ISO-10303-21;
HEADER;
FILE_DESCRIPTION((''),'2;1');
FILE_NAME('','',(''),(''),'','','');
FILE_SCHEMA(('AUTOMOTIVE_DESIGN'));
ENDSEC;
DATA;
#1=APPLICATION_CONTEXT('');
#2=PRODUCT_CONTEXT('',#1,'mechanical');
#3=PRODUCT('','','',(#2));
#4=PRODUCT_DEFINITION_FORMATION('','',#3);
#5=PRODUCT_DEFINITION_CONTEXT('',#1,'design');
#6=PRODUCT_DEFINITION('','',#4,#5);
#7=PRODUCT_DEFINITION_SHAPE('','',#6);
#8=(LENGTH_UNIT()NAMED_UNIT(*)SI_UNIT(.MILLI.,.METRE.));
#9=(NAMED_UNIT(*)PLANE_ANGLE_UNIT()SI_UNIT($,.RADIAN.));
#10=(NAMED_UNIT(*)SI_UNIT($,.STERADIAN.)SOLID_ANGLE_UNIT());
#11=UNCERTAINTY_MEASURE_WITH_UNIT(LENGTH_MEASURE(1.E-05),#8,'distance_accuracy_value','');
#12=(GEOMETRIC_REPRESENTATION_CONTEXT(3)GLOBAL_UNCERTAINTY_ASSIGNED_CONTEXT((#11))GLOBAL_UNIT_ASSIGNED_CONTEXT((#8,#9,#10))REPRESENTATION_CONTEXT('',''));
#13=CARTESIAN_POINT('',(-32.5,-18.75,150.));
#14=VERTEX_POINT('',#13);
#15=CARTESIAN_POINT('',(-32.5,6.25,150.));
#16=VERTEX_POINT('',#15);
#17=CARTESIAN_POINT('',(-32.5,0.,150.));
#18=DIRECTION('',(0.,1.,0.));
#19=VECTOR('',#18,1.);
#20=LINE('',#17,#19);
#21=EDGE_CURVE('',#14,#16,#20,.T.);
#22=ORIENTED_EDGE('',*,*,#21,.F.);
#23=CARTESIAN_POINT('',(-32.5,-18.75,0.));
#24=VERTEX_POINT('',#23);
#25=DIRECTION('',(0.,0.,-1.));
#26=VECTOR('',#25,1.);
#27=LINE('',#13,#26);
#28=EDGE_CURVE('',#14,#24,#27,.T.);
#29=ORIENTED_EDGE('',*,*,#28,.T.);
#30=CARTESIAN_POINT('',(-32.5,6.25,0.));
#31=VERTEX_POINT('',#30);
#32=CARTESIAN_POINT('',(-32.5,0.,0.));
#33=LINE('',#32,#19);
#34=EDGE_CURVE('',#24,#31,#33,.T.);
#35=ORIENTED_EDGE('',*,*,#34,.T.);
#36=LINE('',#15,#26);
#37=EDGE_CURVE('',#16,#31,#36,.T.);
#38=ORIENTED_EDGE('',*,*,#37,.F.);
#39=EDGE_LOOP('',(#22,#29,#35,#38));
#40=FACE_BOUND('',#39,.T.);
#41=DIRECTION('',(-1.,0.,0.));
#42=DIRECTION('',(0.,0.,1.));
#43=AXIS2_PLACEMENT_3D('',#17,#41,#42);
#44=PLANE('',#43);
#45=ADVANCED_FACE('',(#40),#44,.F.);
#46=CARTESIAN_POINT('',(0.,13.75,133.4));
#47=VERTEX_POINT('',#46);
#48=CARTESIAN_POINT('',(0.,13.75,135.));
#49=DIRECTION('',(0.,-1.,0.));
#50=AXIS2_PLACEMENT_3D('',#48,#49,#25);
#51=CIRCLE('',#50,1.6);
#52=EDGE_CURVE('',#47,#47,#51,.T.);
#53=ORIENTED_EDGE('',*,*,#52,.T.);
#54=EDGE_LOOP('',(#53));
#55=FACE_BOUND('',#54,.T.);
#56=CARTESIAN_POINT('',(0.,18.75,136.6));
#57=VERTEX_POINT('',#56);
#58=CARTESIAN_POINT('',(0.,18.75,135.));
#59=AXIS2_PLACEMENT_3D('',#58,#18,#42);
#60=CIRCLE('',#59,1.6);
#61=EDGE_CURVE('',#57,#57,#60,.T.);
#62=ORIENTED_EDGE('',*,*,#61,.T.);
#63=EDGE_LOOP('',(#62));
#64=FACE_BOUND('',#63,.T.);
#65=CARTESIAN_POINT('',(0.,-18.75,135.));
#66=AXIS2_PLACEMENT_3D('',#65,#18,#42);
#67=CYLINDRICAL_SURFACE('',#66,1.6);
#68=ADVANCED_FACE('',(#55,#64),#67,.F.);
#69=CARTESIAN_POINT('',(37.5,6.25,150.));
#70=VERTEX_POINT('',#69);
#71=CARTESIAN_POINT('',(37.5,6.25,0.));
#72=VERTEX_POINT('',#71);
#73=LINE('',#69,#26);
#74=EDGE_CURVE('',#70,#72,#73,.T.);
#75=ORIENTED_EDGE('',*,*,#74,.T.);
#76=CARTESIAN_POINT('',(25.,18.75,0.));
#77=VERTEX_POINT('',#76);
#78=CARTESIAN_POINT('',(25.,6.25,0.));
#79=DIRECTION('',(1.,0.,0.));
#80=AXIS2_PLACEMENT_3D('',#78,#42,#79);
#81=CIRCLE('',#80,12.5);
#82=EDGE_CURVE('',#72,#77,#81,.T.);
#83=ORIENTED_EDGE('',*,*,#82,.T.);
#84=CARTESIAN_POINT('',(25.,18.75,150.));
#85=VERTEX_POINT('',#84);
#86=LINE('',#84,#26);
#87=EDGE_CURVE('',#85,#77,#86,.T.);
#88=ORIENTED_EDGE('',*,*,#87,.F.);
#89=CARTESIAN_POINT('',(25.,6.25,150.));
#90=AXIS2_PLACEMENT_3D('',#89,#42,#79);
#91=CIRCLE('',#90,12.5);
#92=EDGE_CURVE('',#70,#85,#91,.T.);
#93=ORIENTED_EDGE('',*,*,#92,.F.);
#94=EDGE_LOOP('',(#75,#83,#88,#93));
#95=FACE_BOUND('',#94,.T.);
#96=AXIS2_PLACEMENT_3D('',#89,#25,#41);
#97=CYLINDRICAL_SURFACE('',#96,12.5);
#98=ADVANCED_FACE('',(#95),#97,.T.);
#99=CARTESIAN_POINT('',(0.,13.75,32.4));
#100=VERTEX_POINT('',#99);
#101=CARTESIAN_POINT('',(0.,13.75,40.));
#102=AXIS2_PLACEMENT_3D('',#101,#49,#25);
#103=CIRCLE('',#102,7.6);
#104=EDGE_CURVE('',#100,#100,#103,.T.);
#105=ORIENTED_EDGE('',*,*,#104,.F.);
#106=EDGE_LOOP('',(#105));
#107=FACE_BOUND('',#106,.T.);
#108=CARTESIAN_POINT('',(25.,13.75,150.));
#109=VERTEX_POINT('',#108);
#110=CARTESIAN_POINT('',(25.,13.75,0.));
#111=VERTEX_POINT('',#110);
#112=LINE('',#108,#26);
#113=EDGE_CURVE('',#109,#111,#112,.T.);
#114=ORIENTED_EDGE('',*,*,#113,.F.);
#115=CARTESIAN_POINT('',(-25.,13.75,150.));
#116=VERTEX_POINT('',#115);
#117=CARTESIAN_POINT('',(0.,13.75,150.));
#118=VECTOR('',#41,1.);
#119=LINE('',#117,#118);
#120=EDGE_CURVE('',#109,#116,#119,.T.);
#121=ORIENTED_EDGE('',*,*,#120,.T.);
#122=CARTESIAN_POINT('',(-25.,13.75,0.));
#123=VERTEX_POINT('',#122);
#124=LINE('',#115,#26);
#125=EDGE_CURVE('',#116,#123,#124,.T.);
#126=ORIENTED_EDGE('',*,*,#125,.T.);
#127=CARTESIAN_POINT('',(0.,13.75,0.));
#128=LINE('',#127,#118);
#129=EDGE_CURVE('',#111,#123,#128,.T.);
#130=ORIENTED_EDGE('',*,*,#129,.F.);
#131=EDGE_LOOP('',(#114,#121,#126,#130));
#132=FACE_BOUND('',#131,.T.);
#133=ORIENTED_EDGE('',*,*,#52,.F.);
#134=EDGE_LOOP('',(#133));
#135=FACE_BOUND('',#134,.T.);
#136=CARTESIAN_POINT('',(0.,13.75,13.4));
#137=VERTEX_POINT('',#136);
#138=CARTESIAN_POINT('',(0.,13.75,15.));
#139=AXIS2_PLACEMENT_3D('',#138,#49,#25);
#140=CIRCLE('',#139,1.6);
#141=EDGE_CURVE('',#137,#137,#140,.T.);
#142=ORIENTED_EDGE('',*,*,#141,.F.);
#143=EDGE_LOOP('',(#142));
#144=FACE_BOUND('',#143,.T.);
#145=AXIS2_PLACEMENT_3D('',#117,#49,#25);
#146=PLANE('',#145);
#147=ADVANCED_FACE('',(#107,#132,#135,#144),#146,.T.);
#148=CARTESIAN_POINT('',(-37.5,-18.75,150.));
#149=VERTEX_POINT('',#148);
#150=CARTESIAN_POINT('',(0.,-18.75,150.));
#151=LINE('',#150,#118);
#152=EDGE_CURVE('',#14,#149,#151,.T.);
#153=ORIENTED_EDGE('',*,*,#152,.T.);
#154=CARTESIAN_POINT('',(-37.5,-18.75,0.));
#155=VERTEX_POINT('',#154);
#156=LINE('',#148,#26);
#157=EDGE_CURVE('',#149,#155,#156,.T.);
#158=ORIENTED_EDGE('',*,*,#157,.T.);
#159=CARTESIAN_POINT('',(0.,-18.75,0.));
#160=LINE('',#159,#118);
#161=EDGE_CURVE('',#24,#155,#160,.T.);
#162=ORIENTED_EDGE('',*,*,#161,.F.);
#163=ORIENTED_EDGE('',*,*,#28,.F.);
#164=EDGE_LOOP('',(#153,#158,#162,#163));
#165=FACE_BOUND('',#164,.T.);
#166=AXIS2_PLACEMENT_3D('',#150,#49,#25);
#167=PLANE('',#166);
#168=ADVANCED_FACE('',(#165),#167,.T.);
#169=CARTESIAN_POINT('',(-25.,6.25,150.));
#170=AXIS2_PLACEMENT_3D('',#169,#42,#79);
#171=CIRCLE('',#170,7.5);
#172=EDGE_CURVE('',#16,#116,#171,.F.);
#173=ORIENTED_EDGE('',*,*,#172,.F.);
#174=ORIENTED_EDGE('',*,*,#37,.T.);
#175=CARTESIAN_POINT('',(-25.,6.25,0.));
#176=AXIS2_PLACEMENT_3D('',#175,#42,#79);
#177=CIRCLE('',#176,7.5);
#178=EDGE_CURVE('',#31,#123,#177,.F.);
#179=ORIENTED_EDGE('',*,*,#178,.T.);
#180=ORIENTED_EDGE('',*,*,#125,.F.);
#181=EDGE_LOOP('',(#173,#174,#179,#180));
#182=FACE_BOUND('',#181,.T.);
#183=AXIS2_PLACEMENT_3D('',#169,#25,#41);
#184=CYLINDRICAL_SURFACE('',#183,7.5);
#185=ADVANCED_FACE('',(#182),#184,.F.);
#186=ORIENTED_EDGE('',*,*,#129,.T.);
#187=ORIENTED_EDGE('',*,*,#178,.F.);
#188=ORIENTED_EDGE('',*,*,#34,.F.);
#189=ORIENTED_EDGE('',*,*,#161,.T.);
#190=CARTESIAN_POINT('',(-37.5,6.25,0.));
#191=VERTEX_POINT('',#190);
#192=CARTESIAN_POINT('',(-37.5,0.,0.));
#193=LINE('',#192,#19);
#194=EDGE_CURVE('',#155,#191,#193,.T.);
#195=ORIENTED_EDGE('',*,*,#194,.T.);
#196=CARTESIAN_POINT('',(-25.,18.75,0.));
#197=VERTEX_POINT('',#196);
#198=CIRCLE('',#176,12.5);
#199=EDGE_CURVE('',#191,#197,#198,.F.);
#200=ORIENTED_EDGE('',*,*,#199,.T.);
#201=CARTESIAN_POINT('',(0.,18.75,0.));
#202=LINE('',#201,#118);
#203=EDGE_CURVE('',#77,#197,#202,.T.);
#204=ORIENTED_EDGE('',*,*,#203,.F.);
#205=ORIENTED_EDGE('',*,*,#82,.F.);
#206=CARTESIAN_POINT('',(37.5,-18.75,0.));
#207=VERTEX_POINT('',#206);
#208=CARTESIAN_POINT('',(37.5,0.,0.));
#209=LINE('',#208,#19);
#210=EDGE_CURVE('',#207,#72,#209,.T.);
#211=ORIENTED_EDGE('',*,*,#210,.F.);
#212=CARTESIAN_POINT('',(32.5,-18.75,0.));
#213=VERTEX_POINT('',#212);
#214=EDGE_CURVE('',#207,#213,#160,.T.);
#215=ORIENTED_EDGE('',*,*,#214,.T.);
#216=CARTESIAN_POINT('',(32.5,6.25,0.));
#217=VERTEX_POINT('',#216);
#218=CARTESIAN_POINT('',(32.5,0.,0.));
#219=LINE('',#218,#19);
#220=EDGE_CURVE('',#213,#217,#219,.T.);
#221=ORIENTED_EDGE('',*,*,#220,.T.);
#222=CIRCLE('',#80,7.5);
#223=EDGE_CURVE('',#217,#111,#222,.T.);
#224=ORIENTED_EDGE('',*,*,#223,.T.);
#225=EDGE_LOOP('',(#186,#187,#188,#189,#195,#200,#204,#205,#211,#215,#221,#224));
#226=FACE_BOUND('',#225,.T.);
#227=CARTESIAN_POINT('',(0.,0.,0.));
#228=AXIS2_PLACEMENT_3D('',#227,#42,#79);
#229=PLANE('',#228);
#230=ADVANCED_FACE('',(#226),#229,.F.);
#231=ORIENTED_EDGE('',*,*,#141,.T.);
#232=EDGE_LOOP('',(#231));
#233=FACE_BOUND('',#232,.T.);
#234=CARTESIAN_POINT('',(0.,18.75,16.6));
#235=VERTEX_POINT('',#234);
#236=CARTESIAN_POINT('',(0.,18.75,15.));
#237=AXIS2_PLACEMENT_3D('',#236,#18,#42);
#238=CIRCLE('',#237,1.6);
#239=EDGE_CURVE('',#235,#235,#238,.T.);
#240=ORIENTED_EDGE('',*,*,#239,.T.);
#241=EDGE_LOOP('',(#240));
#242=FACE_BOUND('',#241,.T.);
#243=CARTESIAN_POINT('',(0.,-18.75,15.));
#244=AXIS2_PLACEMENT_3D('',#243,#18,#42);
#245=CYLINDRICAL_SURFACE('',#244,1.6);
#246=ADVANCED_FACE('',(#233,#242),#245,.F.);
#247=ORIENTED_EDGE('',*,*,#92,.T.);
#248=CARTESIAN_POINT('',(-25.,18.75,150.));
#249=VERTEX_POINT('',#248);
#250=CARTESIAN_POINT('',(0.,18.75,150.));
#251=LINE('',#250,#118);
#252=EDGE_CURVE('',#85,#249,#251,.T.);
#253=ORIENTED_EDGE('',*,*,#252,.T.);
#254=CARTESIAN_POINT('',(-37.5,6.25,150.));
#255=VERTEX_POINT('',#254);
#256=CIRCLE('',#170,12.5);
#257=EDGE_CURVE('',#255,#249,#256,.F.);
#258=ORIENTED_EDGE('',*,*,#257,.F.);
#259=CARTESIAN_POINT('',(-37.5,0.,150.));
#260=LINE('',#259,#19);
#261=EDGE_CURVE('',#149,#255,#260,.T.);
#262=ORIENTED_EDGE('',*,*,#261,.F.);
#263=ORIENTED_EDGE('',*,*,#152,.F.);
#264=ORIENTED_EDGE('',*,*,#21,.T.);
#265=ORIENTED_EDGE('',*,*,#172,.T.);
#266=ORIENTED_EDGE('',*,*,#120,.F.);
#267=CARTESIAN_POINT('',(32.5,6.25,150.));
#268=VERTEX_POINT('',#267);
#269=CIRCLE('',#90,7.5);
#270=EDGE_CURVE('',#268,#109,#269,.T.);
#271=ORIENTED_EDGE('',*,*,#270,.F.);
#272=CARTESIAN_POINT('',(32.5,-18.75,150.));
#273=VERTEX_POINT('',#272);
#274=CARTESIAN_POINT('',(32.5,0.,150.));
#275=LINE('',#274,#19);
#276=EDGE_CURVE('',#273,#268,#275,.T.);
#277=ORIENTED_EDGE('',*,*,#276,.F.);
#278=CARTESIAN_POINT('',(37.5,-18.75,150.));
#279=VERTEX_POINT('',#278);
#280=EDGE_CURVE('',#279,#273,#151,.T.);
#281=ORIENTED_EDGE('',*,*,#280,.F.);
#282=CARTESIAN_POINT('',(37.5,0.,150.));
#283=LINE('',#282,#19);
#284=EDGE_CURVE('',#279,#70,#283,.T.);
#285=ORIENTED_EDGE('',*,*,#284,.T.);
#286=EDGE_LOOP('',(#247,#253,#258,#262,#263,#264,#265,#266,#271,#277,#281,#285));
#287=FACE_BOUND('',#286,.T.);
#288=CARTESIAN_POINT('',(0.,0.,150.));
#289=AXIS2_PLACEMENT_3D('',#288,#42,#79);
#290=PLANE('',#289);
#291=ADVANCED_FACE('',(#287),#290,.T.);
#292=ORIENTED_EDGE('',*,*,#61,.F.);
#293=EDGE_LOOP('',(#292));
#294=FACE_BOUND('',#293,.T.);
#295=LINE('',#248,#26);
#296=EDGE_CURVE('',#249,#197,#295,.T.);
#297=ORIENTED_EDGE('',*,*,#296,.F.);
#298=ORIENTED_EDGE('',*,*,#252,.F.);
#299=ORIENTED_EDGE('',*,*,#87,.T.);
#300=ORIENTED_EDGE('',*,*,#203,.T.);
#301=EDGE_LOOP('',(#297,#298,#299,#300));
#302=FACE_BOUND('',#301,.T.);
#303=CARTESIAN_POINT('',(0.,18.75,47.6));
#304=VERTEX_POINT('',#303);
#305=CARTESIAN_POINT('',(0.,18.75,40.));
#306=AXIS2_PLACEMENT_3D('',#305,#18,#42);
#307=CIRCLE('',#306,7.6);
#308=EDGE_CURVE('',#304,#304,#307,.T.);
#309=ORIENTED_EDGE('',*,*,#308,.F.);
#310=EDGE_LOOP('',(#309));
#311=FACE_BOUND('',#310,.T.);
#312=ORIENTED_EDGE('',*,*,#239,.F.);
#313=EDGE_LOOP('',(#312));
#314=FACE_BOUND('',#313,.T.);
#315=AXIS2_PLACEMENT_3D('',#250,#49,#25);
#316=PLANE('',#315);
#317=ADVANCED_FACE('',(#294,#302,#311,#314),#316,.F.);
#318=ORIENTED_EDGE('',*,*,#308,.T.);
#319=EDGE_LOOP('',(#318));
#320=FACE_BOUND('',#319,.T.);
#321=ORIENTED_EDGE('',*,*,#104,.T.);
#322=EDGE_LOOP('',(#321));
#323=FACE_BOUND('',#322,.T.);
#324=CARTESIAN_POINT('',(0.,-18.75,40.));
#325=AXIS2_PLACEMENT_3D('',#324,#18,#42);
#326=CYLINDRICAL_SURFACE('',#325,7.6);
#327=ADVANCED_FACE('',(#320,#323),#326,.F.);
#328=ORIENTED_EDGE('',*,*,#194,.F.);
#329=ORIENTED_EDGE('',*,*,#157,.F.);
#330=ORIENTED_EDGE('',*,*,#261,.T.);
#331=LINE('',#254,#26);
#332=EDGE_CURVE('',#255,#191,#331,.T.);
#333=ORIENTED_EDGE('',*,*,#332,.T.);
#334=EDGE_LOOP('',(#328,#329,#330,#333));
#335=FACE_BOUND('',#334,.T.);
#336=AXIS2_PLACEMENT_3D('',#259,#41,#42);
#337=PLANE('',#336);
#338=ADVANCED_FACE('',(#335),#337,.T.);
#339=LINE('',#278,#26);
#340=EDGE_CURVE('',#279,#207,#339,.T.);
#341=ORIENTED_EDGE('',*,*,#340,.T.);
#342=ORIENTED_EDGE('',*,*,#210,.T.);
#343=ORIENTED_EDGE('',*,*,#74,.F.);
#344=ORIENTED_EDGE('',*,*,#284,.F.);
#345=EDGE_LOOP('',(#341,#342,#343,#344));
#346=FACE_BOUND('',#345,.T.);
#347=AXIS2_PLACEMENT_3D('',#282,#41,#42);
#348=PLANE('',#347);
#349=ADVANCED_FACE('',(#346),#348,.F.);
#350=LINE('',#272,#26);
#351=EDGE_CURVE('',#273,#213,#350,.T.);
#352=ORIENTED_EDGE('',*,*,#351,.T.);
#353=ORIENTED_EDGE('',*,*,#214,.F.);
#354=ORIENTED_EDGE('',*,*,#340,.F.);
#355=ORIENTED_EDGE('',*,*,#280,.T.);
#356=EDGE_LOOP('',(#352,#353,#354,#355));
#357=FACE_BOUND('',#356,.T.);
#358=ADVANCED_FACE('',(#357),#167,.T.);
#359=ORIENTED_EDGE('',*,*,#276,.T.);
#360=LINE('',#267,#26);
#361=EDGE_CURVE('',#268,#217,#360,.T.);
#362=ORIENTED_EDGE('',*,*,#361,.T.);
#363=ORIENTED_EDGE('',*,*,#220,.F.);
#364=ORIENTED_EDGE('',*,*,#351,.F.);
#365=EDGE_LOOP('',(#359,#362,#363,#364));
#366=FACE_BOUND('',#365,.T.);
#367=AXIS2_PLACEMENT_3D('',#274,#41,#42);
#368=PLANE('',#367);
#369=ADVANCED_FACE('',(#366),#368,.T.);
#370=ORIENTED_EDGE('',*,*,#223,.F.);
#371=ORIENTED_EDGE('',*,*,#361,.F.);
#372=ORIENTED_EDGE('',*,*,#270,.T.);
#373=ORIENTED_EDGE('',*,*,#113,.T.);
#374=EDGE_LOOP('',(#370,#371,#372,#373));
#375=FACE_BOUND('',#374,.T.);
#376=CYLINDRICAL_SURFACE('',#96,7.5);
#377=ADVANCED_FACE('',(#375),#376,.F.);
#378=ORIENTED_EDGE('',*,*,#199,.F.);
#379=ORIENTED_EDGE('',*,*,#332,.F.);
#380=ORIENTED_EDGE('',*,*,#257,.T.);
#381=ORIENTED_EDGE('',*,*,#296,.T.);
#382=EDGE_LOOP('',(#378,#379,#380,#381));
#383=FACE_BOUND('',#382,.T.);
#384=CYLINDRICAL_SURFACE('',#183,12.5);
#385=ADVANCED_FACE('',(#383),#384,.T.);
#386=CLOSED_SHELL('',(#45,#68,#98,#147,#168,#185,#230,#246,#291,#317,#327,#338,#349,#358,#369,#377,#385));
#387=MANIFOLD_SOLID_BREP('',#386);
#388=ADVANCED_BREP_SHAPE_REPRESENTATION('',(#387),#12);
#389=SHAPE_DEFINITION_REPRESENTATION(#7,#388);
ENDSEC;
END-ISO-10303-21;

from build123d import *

# Parameters (mm, degrees)
BOSS_EXTRUDE1_DEPTH = 150
SKETCH2_R           = 1.6
CUT_EXTRUDE1_DEPTH  = 160.099025767
SKETCH4_R           = 7.6
CUT_EXTRUDE2_DEPTH  = 160.099025767


with BuildPart() as part:
    # Sketch1 → Boss-Extrude1 (new body)
    with BuildSketch(Plane(origin=(0, 0, 0), x_dir=(0, 1, 0), z_dir=(0, 0, 1))):
        with BuildLine():
            Line((-18.75, 37.5), (-18.75, 32.5))
            Line((-18.75, 32.5), (6.25, 32.5))
            ThreePointArc((6.25, 32.5), (11.553300859, 30.303300859), (13.75, 25))
            Line((13.75, 25), (13.75, -25))
            ThreePointArc((13.75, -25), (11.553300859, -30.303300859), (6.25, -32.5))
            Line((6.25, -32.5), (-18.75, -32.5))
            Line((-18.75, -32.5), (-18.75, -37.5))
            Line((-18.75, -37.5), (6.25, -37.5))
            ThreePointArc((6.25, -37.5), (15.088834765, -33.838834765), (18.75, -25))
            Line((18.75, -25), (18.75, 25))
            ThreePointArc((18.75, 25), (15.088834765, 33.838834765), (6.25, 37.5))
            Line((6.25, 37.5), (-18.75, 37.5))
        make_face()
    extrude(amount=BOSS_EXTRUDE1_DEPTH)

    # Sketch2 → Cut-Extrude1 (cut, through all)
    with BuildSketch(Plane(origin=(0, 18.75, 0), x_dir=(-1, 0, 0), z_dir=(0, 1, 0))):
        with Locations(Location((0, 135, 0), (0, 0, 90))):
            Circle(SKETCH2_R)
        with Locations(Location((0, 15, 0), (0, 0, 90))):
            Circle(SKETCH2_R)
    extrude(amount=-CUT_EXTRUDE1_DEPTH, mode=Mode.SUBTRACT)

    # Sketch4 → Cut-Extrude2 (cut, through all)
    with BuildSketch(Plane(origin=(0, 18.75, 0), x_dir=(-1, 0, 0), z_dir=(0, 1, 0))):
        with Locations(Location((0, 40, 0), (0, 0, 90))):
            Circle(SKETCH4_R)
    extrude(amount=-CUT_EXTRUDE2_DEPTH, mode=Mode.SUBTRACT)


solid = part.part
